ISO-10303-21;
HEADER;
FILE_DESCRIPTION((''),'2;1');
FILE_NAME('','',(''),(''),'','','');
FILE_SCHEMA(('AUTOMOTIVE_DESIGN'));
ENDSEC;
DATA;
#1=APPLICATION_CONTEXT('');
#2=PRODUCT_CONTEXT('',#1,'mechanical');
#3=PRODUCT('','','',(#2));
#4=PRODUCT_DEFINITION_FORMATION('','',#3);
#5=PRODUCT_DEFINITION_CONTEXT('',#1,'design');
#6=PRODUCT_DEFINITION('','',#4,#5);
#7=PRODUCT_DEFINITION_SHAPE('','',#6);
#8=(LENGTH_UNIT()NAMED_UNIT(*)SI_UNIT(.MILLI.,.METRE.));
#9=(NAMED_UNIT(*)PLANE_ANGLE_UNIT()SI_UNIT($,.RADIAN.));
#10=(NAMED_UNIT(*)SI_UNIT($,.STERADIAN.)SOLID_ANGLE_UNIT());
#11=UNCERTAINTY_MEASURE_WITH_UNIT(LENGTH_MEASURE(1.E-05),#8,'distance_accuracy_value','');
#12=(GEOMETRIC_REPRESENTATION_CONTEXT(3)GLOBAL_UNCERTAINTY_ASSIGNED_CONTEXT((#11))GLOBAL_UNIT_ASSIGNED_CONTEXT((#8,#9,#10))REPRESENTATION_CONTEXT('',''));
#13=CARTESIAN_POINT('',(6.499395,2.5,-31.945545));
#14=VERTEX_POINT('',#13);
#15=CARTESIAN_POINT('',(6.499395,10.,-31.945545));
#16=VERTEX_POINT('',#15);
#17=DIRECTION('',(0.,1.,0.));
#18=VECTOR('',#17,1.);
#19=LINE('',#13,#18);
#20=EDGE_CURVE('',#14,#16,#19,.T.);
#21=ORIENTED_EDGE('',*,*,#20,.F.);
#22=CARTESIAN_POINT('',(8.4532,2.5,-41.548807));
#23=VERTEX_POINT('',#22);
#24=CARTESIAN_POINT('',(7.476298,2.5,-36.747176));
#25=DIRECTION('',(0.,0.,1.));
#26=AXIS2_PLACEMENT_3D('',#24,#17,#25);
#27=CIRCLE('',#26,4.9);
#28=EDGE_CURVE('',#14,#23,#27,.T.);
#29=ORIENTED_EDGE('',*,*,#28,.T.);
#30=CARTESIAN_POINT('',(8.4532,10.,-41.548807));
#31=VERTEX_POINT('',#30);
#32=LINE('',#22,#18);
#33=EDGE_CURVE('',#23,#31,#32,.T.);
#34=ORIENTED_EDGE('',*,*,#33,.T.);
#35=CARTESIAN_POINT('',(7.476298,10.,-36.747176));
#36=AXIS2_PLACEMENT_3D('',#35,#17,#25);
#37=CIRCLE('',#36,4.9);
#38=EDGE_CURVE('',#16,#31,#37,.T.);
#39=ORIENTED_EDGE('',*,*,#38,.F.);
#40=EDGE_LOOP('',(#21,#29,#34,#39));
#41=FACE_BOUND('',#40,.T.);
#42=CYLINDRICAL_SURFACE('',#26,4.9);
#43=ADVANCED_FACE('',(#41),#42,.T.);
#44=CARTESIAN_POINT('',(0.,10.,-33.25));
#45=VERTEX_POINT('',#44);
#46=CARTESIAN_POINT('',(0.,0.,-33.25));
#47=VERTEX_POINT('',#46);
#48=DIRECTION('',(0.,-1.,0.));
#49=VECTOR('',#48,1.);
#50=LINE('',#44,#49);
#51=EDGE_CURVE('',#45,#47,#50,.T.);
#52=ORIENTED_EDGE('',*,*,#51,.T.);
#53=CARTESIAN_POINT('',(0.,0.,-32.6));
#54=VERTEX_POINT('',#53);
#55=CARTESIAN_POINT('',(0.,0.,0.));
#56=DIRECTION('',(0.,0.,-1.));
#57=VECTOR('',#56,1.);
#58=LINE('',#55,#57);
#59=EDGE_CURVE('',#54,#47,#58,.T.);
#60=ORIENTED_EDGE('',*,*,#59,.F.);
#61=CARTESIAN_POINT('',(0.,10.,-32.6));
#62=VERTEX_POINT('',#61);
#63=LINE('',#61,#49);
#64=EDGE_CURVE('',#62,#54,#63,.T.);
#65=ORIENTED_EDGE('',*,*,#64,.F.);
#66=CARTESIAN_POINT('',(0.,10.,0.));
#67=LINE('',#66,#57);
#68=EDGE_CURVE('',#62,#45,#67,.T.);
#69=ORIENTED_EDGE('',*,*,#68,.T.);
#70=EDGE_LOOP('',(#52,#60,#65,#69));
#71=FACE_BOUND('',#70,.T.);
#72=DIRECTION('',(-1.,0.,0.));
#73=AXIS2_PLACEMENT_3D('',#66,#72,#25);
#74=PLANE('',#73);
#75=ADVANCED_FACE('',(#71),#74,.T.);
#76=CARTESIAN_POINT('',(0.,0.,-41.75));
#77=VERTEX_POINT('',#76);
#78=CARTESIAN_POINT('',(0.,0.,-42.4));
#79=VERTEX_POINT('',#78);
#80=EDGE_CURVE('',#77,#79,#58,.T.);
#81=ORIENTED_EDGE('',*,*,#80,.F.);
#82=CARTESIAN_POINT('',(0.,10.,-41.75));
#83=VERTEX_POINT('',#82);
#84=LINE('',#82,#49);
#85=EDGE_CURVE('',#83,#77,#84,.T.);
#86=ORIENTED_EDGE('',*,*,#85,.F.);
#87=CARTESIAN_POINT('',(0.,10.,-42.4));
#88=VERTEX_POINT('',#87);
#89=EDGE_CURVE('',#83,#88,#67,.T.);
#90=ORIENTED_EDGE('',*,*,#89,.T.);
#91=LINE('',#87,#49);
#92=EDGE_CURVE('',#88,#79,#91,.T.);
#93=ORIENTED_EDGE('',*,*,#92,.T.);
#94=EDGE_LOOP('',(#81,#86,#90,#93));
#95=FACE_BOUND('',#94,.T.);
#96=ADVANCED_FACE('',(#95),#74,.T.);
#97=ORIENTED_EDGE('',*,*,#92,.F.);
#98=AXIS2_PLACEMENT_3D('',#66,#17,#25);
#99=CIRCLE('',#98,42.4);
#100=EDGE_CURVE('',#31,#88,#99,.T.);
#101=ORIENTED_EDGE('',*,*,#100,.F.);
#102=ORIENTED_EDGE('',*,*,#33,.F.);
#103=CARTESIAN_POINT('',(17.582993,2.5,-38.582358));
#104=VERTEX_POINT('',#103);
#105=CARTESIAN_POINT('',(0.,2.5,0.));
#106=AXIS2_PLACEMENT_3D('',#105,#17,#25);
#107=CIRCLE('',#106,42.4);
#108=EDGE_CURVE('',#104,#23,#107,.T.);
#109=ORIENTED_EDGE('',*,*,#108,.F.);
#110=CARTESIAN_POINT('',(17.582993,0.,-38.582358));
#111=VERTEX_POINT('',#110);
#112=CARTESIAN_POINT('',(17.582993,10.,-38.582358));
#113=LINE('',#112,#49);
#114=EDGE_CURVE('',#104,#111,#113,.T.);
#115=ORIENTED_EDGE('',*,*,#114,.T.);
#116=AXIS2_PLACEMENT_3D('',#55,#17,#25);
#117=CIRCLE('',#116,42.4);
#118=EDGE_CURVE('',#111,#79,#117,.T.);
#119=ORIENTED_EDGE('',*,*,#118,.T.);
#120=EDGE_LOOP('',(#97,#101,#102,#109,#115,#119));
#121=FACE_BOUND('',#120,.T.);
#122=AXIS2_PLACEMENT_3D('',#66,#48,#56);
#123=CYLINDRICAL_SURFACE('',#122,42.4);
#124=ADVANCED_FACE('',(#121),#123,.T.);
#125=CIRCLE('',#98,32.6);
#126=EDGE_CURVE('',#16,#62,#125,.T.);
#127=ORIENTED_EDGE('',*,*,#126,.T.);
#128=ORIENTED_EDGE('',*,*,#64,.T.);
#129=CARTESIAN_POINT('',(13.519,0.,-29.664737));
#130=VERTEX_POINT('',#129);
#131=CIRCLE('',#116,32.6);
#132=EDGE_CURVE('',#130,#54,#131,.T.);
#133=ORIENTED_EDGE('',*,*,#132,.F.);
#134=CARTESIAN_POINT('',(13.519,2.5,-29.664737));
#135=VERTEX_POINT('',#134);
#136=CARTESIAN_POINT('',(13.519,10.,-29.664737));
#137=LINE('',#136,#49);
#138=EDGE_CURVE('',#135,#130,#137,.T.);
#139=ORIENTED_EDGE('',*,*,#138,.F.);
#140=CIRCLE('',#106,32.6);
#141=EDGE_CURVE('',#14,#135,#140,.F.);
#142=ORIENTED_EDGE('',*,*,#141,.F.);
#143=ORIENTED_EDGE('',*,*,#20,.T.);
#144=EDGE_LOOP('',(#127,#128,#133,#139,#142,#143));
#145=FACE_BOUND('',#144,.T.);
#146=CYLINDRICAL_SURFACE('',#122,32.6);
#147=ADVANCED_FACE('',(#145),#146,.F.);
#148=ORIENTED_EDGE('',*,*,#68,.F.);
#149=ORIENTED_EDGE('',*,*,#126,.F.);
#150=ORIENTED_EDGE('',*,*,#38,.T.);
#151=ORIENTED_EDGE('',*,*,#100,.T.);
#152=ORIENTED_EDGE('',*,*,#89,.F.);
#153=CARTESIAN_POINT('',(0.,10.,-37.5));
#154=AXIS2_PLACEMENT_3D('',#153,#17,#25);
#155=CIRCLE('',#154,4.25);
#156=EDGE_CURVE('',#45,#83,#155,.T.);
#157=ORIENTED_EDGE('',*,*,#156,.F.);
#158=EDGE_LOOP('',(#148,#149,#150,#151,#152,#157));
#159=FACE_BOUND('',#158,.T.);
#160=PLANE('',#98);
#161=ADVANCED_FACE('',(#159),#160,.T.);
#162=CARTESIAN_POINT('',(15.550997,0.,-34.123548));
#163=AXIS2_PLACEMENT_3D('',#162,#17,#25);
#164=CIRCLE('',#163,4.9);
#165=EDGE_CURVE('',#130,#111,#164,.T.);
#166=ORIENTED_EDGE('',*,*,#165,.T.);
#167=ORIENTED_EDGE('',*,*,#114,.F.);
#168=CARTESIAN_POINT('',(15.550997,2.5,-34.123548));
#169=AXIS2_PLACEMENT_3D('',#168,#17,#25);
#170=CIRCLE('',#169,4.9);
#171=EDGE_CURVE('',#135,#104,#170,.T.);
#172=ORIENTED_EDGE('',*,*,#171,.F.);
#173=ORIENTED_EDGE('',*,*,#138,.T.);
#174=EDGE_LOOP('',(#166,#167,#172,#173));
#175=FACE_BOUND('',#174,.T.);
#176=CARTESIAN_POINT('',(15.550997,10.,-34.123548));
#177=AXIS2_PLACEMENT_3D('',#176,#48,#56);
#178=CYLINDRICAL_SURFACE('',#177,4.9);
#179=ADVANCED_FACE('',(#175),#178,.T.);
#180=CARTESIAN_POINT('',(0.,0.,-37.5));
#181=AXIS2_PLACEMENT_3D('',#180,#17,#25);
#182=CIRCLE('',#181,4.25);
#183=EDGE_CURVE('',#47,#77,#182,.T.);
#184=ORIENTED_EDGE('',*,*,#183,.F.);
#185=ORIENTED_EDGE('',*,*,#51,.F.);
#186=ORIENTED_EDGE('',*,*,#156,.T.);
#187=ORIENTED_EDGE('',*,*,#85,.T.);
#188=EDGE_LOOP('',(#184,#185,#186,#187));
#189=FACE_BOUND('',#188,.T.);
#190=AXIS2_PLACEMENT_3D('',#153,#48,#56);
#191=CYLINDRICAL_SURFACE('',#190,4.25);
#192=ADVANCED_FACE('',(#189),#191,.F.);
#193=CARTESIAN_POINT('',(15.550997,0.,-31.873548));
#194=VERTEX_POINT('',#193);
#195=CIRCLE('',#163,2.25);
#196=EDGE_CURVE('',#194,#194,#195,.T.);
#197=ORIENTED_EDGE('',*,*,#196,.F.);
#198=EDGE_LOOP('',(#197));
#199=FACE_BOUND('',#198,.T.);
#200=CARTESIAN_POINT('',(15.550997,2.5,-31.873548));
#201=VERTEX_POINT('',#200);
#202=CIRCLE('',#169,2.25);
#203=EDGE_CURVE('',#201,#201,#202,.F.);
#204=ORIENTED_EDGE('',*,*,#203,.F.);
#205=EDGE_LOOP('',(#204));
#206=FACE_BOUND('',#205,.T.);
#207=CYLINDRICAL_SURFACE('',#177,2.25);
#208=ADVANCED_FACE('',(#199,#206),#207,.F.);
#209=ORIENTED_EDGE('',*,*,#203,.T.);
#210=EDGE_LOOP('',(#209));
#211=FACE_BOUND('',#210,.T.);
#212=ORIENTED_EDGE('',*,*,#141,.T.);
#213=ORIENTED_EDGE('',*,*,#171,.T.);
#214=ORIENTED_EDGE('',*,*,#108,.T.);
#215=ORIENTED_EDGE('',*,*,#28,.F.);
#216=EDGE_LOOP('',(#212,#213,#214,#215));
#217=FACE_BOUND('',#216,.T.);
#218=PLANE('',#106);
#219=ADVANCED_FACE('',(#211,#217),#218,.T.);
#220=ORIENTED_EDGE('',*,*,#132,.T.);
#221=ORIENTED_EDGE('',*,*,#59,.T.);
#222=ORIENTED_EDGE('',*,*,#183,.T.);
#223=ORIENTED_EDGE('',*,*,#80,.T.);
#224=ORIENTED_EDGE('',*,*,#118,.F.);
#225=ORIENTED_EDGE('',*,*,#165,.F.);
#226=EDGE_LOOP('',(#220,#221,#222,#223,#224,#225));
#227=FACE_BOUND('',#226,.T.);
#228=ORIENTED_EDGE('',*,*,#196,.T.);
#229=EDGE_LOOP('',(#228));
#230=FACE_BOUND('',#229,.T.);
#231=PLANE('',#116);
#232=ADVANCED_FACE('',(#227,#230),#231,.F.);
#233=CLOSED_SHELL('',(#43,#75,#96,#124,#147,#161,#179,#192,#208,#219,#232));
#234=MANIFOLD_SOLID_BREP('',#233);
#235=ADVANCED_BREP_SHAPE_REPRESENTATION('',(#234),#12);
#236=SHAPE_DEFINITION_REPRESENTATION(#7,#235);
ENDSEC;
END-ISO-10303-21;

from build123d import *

# Parameters (mm, degrees)
SKETCH_1_R          = 4.9
SKETCH_1_R_2        = 2.25
EXTRUDE_1_DEPTH     = 10
CUT_EXTRUDE_START   = -7.5
SKETCH_2_R          = 2.25
CUT_EXTRUDE_1_DEPTH = 7.5


with BuildPart() as part:
    # ｽｹｯﾁ1 → ﾎﾞｽ - 押し出し1 (new body)
    # profile 1 of 3: a face of its own
    with BuildSketch(Plane(origin=(0, 0, 0), x_dir=(1, 0, 0), z_dir=(0, 1, 0))):
        with BuildLine():
            Line((8.453200419, 41.548807476), (6.499394662, 31.945545371))
            ThreePointArc((6.499394662, 31.945545371), (10.073954086, 31.004442409), (13.518999843, 29.66473737))
            ThreePointArc((13.518999843, 29.66473737), (11.092186389, 36.155544584), (17.582993695, 38.582357791))
            ThreePointArc((17.582993695, 38.582357791), (13.102320669, 40.324796256), (8.453200419, 41.548807476))
        make_face()
    # profile 2 of 3: a face of its own
    with BuildSketch(Plane(origin=(0, 0, 0), x_dir=(1, 0, 0), z_dir=(0, 1, 0))):
        with Locations((15.5509966, 34.123547658)):
            Circle(SKETCH_1_R)
        with Locations(Location((15.5509966, 34.123547658, 0), (0, 0, 270))):
            Circle(SKETCH_1_R_2, mode=Mode.SUBTRACT)
    # profile 3 of 3: a face of its own
    with BuildSketch(Plane(origin=(0, 0, 0), x_dir=(1, 0, 0), z_dir=(0, 1, 0))):
        with BuildLine():
            Line((0, 33.25), (0, 32.6))
            ThreePointArc((0, 32.6), (3.266130809, 32.435973695), (6.499394662, 31.945545371))
            Line((6.499394662, 31.945545371), (8.453200419, 41.548807476))
            ThreePointArc((8.453200419, 41.548807476), (4.247973812, 42.186665174), (0, 42.4))
            Line((0, 42.4), (0, 41.75))
            ThreePointArc((0, 41.75), (3.00520382, 40.50520382), (4.25, 37.5))
            ThreePointArc((4.25, 37.5), (3.00520382, 34.49479618), (0, 33.25))
        make_face()
    extrude(amount=EXTRUDE_1_DEPTH)

    # ｽｹｯﾁ2 → ｶｯﾄ - 押し出し1 (cut)
    with BuildSketch(Plane(origin=(0, 10, 0), x_dir=(1, 0, 0), z_dir=(0, 1, 0)).offset(CUT_EXTRUDE_START)):
        with BuildLine():
            ThreePointArc((13.518999843, 29.66473737), (20.00980681, 32.091550732), (17.582993695, 38.582357791))
            ThreePointArc((17.582993695, 38.582357791), (13.102320689, 40.32479625), (8.453200459, 41.548807468))
            ThreePointArc((8.453200459, 41.548807468), (12.277928583, 35.770273495), (6.499394603, 31.945545383))
            ThreePointArc((6.499394603, 31.945545383), (10.073954057, 31.004442418), (13.518999843, 29.66473737))
        make_face()
        with Locations(Location((15.5509966, 34.123547658, 0), (0, 0, 270))):
            Circle(SKETCH_2_R, mode=Mode.SUBTRACT)
    extrude(amount=CUT_EXTRUDE_1_DEPTH, mode=Mode.SUBTRACT)


solid = part.part
